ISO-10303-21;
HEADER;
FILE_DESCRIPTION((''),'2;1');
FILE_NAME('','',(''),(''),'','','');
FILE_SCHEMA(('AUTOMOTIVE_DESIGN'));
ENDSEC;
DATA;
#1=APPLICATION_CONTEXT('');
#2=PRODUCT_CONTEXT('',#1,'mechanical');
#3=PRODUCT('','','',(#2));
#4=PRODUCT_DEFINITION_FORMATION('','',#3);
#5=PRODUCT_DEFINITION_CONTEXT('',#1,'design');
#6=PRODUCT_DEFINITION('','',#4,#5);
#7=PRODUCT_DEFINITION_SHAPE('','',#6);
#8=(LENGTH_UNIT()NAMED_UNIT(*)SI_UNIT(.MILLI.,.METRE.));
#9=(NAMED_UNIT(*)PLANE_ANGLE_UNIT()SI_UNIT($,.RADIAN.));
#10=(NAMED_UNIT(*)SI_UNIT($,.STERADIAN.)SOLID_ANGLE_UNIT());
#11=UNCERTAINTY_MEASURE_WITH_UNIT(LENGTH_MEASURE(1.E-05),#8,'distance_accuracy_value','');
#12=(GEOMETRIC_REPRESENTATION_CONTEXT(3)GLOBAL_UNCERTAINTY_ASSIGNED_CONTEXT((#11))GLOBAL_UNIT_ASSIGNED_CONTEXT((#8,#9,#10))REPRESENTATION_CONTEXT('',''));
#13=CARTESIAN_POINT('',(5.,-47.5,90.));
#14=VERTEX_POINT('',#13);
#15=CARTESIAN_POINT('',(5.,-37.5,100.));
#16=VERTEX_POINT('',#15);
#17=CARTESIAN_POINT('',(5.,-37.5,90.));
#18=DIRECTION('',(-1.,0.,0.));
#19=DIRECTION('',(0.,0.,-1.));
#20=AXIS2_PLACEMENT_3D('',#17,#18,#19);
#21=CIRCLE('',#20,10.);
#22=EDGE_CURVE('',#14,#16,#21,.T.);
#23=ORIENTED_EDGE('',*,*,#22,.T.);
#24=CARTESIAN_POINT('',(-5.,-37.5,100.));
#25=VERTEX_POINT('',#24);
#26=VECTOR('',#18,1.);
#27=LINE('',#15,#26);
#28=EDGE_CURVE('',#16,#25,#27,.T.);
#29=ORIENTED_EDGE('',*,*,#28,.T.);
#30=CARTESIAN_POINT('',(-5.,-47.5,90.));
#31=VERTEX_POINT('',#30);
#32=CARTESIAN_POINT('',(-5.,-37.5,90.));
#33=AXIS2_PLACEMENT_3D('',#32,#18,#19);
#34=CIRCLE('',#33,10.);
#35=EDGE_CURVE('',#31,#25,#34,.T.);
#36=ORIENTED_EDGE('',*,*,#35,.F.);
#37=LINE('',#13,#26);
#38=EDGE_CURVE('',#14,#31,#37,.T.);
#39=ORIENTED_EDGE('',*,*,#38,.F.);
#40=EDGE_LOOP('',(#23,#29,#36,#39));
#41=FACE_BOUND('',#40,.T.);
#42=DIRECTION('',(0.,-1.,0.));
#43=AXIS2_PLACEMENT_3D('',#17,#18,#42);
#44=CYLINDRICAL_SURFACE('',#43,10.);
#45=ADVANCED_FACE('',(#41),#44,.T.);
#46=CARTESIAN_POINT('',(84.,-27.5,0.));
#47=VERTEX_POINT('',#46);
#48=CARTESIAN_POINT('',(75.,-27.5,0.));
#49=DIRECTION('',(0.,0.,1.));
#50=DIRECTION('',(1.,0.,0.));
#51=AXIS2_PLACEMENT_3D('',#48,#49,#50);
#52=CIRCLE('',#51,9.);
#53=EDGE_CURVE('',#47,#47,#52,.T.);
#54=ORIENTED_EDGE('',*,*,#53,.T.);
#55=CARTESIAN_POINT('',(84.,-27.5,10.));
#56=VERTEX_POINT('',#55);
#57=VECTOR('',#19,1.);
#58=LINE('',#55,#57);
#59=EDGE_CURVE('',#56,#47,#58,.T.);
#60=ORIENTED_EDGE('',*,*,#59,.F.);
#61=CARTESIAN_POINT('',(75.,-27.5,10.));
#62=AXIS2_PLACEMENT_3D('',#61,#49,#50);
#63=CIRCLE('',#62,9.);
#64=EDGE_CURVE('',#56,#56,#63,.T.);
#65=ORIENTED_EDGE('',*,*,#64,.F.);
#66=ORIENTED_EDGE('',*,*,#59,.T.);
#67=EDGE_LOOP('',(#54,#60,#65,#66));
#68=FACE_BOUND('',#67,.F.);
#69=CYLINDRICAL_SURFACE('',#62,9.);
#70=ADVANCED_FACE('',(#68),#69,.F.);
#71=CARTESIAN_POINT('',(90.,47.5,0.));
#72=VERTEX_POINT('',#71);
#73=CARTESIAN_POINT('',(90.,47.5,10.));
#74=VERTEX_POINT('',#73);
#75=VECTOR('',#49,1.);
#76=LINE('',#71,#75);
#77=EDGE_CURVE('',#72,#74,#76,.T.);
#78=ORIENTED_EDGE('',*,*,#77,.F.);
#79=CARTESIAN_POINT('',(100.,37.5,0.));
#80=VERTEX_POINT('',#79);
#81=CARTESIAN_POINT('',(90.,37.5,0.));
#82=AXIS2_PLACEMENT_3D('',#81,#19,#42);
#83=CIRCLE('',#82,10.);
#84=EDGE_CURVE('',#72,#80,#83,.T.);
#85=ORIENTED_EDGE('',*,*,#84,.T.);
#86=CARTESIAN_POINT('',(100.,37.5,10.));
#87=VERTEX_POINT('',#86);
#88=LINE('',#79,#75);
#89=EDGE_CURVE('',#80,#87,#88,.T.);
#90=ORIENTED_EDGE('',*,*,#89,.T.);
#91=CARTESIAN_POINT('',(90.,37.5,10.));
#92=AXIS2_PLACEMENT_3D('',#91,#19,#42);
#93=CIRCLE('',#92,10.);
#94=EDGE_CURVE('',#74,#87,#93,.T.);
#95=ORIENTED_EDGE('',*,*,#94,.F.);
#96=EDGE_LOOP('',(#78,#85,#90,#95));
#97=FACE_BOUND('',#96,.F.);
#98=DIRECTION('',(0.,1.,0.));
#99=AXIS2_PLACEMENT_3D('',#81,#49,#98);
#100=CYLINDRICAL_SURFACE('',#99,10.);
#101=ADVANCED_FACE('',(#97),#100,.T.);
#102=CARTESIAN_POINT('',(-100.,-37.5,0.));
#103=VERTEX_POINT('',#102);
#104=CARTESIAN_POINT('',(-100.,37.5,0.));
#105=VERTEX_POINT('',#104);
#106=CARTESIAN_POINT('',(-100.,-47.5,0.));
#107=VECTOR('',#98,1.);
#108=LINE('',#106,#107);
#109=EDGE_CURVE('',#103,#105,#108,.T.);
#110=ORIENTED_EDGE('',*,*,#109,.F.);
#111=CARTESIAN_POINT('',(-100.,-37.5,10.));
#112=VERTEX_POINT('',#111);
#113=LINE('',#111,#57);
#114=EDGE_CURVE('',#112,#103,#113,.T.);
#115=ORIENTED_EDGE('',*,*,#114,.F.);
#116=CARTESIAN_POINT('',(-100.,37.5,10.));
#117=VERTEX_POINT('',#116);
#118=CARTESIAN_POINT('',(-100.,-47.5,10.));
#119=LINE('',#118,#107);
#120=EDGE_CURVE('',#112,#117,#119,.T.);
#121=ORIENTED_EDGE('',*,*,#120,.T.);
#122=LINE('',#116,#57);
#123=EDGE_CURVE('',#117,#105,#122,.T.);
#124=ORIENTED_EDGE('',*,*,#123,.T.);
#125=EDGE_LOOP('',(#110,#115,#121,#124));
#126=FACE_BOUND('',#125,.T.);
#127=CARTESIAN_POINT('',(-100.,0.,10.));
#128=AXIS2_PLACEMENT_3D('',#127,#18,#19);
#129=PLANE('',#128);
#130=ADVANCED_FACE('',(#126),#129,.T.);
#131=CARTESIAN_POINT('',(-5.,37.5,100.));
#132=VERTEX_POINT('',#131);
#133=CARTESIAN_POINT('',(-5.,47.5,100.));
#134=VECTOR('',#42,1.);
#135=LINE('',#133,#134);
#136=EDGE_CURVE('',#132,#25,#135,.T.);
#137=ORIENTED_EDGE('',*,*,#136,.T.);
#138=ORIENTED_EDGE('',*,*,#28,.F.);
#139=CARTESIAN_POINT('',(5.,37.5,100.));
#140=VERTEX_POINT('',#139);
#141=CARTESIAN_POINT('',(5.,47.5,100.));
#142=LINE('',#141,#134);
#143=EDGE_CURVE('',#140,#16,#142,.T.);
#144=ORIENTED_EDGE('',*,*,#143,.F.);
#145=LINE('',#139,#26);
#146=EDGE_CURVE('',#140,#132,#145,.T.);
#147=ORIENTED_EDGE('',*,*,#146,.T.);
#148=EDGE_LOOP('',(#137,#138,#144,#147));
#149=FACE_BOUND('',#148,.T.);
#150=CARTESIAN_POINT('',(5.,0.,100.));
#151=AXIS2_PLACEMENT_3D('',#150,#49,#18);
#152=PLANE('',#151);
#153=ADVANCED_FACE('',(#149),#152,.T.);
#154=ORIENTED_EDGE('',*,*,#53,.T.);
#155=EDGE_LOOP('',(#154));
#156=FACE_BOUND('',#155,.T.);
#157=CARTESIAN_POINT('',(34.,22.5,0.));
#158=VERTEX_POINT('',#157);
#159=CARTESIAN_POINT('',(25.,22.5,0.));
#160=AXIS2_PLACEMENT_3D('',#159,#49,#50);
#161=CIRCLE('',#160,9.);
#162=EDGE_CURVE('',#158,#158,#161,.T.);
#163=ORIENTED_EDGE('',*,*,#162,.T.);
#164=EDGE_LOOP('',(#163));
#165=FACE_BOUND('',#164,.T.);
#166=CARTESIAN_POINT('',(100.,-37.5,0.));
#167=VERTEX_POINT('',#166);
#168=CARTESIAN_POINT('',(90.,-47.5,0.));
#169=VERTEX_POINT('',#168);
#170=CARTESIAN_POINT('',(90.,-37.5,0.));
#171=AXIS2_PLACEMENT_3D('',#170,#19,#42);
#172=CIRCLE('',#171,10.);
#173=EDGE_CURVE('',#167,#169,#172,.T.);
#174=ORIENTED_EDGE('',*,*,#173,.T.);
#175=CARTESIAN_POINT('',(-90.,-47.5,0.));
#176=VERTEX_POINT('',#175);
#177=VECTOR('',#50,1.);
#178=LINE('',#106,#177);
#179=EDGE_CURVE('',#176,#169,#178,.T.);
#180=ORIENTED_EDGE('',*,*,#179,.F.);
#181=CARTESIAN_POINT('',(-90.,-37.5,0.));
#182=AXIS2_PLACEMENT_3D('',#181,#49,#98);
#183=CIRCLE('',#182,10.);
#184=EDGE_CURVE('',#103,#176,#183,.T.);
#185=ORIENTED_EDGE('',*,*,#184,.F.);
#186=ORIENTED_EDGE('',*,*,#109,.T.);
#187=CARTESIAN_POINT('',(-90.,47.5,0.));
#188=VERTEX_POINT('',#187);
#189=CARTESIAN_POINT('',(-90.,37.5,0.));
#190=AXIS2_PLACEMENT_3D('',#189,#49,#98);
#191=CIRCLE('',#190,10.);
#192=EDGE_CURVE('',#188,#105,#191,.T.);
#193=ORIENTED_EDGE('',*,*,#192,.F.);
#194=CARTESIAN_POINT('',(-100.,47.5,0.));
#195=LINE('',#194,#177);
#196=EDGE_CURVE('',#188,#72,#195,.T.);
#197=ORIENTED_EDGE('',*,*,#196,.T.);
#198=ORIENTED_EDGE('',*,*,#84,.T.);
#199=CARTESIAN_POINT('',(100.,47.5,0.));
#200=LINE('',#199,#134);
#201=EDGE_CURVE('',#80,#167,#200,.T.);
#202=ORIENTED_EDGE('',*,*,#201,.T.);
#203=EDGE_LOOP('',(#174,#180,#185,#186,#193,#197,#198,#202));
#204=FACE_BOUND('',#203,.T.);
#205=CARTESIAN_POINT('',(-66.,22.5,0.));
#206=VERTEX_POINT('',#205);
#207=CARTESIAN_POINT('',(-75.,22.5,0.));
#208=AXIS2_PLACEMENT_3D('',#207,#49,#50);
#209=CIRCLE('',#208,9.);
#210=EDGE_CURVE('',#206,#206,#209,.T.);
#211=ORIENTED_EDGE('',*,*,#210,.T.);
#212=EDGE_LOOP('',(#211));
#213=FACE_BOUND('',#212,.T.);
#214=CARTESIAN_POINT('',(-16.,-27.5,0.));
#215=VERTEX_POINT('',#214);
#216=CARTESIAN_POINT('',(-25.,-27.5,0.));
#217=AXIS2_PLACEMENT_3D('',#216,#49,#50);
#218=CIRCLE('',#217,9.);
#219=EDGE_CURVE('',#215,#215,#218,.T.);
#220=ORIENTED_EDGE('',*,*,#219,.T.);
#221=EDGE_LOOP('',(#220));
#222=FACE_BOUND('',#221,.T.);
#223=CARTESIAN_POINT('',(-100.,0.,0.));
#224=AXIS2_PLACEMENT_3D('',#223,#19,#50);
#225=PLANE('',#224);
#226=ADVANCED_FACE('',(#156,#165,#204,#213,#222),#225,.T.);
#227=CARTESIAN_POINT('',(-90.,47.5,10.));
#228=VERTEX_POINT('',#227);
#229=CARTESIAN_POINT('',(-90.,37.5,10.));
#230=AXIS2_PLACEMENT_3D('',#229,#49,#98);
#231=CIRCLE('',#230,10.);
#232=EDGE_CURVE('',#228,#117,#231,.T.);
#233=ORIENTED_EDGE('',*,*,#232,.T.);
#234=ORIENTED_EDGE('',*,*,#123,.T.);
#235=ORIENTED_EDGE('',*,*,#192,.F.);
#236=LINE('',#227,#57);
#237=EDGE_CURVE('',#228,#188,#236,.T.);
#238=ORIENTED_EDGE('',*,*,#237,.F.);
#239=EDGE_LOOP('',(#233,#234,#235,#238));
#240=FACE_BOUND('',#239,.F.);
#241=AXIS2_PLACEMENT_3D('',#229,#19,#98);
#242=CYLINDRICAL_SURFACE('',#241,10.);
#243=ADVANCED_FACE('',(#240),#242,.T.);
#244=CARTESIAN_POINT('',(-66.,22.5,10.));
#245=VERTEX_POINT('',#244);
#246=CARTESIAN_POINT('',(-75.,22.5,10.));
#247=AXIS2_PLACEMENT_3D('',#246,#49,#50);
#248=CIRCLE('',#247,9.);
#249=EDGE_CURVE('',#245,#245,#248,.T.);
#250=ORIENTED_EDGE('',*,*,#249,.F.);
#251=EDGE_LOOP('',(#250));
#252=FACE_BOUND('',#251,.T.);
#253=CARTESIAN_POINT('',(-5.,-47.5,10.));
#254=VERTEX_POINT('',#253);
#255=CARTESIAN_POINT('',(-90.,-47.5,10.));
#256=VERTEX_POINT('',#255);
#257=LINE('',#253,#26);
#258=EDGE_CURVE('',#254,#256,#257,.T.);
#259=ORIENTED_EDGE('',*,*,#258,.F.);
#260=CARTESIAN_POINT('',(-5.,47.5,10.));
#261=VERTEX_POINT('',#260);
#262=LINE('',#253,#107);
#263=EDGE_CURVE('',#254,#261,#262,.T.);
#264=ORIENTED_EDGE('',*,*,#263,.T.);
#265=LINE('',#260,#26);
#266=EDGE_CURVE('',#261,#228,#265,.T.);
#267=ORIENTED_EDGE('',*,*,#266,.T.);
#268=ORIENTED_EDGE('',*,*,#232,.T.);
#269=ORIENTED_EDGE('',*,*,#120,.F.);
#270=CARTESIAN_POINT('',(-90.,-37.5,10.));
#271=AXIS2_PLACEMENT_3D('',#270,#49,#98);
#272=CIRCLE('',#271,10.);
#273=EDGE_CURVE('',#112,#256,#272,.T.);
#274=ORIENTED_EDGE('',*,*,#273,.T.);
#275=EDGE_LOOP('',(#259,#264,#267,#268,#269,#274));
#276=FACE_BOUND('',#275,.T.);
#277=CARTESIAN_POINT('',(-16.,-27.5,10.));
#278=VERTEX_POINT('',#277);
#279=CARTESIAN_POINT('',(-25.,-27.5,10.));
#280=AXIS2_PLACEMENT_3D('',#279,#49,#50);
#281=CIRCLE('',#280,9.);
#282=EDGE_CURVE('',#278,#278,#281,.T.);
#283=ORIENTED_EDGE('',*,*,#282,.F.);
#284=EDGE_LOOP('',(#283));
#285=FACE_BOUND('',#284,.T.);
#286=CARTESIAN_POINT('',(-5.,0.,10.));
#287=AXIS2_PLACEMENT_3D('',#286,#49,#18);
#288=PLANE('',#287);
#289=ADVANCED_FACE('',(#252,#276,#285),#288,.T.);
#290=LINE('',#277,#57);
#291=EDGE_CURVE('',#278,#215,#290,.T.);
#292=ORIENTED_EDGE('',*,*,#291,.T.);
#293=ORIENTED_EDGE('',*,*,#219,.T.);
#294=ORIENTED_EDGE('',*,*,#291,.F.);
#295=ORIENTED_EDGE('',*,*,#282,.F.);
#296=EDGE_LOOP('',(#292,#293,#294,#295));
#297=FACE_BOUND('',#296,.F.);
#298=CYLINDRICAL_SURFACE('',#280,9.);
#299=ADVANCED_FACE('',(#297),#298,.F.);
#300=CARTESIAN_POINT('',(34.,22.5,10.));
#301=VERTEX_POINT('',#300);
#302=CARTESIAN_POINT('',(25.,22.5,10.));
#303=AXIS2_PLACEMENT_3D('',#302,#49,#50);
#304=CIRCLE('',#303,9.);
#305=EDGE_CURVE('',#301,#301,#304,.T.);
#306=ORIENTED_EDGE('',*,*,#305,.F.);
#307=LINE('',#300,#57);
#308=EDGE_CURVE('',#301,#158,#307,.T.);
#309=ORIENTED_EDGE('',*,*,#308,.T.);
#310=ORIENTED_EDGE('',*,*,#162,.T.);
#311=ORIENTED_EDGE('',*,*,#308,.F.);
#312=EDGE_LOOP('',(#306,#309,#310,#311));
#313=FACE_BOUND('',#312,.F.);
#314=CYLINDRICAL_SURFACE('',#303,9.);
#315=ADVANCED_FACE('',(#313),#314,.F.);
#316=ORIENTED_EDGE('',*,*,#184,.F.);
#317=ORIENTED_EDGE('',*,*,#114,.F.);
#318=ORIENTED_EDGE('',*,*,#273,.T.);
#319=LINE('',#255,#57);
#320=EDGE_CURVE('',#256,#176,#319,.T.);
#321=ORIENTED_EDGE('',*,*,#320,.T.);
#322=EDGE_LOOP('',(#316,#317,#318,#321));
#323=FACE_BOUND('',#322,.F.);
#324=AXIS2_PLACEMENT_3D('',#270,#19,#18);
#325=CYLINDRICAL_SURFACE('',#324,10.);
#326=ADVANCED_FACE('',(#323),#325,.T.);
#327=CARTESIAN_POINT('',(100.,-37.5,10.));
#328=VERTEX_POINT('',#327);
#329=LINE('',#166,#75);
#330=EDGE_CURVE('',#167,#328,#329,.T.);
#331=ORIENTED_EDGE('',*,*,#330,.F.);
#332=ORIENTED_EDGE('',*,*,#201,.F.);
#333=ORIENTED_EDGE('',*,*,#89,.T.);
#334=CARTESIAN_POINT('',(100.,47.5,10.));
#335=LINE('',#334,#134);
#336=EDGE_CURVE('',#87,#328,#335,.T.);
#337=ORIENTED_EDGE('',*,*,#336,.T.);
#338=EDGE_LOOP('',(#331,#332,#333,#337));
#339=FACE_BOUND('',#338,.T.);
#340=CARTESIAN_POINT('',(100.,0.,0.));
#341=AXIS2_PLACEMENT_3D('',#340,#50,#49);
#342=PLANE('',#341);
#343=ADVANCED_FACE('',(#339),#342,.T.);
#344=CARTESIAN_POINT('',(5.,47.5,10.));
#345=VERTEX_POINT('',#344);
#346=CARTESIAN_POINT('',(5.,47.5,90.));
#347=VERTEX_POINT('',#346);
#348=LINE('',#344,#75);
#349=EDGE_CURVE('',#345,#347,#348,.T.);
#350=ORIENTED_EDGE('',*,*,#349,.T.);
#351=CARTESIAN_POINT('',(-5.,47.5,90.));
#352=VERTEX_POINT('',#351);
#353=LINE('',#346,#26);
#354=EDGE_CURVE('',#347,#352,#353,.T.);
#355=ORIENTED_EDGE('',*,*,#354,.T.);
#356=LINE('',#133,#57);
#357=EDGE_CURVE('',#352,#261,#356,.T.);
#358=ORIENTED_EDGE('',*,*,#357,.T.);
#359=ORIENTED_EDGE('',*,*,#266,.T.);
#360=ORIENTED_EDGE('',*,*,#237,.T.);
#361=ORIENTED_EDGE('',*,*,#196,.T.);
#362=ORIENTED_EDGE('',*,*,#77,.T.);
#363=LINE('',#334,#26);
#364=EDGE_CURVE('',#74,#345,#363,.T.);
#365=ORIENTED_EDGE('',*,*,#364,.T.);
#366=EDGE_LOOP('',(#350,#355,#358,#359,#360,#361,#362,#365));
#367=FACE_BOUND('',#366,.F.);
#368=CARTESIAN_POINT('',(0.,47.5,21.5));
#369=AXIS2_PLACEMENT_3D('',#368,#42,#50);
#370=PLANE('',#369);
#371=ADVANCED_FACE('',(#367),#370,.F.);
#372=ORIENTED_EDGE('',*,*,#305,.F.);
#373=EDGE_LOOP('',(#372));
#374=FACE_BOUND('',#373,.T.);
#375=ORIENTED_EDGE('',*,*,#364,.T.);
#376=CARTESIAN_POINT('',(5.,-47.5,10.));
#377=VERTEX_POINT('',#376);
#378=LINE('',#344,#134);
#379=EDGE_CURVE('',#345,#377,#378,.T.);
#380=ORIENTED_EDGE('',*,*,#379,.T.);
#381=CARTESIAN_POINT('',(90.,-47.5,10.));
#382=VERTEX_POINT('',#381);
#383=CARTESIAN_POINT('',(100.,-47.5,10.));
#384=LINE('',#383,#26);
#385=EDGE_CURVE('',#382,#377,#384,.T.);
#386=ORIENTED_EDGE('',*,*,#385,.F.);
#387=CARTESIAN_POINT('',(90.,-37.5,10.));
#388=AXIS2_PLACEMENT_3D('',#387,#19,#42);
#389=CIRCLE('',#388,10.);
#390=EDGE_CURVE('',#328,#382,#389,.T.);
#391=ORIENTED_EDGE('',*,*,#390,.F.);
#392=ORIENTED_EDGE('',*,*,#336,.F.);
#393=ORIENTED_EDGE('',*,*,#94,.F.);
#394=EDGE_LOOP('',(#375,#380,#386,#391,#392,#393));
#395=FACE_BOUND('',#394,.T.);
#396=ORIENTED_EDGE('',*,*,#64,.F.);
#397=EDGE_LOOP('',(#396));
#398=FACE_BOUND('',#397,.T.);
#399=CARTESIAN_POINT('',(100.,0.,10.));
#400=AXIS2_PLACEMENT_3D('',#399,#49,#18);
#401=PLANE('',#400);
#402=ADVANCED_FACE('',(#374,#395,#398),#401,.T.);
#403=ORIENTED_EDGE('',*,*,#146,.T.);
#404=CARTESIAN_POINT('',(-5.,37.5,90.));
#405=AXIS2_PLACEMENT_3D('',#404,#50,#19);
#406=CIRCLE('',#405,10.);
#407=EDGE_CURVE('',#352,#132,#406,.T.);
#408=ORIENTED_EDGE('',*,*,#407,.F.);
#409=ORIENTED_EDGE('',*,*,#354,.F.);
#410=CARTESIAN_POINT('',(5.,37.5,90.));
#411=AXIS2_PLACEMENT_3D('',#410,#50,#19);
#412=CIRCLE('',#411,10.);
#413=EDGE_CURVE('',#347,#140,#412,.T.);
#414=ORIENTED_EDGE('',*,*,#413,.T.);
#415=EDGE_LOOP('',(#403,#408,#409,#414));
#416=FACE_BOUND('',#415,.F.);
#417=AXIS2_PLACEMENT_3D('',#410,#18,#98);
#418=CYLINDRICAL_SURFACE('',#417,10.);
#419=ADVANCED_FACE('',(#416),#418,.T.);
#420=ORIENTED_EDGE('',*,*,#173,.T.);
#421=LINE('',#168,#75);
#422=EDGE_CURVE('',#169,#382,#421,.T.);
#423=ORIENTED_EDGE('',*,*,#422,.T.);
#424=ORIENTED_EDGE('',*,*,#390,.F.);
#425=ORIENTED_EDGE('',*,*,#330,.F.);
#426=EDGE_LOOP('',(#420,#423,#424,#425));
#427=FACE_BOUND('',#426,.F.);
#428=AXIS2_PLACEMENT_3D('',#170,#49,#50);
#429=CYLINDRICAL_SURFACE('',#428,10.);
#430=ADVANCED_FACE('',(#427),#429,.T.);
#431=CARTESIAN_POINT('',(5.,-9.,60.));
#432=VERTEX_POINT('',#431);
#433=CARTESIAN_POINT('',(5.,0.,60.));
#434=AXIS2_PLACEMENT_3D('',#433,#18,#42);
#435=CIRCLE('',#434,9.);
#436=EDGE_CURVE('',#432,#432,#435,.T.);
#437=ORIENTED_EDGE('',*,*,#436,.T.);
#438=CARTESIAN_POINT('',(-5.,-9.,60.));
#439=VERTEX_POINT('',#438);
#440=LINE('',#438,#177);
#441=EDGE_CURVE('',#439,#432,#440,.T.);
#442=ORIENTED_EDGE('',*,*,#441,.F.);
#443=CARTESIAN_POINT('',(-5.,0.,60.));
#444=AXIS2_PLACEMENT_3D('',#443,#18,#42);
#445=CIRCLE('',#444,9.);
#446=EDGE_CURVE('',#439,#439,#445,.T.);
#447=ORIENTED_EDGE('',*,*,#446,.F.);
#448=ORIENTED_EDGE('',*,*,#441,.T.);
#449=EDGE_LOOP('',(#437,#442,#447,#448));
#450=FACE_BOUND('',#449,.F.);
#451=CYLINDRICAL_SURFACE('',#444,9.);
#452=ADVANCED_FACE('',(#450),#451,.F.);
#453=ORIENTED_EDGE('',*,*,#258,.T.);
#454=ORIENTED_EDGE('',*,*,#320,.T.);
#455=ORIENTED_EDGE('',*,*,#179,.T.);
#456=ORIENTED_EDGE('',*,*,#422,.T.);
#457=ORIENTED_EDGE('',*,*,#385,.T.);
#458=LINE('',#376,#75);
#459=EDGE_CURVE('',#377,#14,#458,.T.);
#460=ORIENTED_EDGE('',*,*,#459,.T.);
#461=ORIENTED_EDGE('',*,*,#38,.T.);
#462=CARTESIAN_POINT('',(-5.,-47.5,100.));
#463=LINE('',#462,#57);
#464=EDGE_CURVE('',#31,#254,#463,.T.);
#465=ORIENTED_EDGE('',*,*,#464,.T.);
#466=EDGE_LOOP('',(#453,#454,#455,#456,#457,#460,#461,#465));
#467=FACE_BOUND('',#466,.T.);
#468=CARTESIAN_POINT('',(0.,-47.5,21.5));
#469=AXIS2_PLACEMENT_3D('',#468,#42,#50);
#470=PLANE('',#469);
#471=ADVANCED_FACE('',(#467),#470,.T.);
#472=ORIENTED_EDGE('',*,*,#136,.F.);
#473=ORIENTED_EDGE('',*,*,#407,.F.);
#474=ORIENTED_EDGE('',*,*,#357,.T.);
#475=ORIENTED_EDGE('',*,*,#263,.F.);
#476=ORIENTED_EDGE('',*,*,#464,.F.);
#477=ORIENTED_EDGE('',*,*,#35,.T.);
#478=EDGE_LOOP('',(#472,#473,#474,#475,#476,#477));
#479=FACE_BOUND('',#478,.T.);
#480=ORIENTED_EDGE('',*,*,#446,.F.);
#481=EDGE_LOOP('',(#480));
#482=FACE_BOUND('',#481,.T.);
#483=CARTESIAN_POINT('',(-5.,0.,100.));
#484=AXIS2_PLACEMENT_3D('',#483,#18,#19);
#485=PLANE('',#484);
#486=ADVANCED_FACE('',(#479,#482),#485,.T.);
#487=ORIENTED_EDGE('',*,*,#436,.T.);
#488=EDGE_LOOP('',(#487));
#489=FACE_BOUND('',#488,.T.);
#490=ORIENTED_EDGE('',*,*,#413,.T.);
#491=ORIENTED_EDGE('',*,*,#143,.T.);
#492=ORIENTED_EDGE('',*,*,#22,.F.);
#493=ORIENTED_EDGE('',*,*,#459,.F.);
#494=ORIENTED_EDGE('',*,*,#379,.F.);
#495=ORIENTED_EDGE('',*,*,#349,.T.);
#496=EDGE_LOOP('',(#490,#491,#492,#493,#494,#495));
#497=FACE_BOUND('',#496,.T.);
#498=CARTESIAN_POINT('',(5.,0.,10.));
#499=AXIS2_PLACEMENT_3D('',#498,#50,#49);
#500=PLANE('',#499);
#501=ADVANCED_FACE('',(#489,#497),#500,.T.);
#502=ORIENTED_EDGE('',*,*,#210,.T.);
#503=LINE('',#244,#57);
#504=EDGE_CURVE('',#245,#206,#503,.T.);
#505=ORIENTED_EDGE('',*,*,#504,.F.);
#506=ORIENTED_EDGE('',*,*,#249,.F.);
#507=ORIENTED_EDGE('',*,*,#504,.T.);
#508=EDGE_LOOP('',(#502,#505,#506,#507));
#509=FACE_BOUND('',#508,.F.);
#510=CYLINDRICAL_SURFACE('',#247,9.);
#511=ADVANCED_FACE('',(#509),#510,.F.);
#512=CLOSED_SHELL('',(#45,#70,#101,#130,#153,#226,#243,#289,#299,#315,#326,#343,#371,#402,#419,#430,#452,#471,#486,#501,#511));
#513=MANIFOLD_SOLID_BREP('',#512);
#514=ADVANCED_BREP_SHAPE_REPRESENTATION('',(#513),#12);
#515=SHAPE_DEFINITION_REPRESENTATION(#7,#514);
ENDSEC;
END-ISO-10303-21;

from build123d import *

# Parameters (mm, degrees)
F1_DEPTH = 47.5
F2_R     = 9
F3_DEPTH = 25
F4_R     = 9
F5_DEPTH = 25
F6_R     = 10


with BuildPart() as f1:
    # F0 (on Front) → F1 (new body, symmetric)
    with BuildSketch(Plane.XZ):
        Polygon((-100, 0), (0, 0), (100, 0), (100, 10), (5, 10), (5, 100), (0, 100), (-5, 100), (-5, 10), (-100, 10), align=None)
    extrude(amount=F1_DEPTH, both=True)

    # F2 (on face) → F3 (cut)
    with BuildSketch(Plane.XY.offset(10)):
        with Locations((75, -27.5)):
            Circle(F2_R)
        with Locations((25, 22.5)):
            Circle(F2_R)
        with Locations((-25, -27.5)):
            Circle(F2_R)
        with Locations((-75, 22.5)):
            Circle(F2_R)
    extrude(amount=-F3_DEPTH, mode=Mode.SUBTRACT)

    # F4 (on face) → F5 (cut)
    with BuildSketch(Plane(origin=(-5, 0, 0), x_dir=(0, -1, 0), z_dir=(-1, 0, 0))):
        with Locations((0, 60)):
            Circle(F4_R)
    extrude(amount=-F5_DEPTH, mode=Mode.SUBTRACT)

    # F6
    f6_edges = [f1.edges().sort_by_distance(p)[0] for p in [
        (0, -47.5, 100),
        (0, 47.5, 100),
        (-100, 47.5, 5),
        (-100, -47.5, 5),
        (100, 47.5, 5),
        (100, -47.5, 5),
    ]]
    fillet(f6_edges, radius=F6_R)


solid = f1.part
